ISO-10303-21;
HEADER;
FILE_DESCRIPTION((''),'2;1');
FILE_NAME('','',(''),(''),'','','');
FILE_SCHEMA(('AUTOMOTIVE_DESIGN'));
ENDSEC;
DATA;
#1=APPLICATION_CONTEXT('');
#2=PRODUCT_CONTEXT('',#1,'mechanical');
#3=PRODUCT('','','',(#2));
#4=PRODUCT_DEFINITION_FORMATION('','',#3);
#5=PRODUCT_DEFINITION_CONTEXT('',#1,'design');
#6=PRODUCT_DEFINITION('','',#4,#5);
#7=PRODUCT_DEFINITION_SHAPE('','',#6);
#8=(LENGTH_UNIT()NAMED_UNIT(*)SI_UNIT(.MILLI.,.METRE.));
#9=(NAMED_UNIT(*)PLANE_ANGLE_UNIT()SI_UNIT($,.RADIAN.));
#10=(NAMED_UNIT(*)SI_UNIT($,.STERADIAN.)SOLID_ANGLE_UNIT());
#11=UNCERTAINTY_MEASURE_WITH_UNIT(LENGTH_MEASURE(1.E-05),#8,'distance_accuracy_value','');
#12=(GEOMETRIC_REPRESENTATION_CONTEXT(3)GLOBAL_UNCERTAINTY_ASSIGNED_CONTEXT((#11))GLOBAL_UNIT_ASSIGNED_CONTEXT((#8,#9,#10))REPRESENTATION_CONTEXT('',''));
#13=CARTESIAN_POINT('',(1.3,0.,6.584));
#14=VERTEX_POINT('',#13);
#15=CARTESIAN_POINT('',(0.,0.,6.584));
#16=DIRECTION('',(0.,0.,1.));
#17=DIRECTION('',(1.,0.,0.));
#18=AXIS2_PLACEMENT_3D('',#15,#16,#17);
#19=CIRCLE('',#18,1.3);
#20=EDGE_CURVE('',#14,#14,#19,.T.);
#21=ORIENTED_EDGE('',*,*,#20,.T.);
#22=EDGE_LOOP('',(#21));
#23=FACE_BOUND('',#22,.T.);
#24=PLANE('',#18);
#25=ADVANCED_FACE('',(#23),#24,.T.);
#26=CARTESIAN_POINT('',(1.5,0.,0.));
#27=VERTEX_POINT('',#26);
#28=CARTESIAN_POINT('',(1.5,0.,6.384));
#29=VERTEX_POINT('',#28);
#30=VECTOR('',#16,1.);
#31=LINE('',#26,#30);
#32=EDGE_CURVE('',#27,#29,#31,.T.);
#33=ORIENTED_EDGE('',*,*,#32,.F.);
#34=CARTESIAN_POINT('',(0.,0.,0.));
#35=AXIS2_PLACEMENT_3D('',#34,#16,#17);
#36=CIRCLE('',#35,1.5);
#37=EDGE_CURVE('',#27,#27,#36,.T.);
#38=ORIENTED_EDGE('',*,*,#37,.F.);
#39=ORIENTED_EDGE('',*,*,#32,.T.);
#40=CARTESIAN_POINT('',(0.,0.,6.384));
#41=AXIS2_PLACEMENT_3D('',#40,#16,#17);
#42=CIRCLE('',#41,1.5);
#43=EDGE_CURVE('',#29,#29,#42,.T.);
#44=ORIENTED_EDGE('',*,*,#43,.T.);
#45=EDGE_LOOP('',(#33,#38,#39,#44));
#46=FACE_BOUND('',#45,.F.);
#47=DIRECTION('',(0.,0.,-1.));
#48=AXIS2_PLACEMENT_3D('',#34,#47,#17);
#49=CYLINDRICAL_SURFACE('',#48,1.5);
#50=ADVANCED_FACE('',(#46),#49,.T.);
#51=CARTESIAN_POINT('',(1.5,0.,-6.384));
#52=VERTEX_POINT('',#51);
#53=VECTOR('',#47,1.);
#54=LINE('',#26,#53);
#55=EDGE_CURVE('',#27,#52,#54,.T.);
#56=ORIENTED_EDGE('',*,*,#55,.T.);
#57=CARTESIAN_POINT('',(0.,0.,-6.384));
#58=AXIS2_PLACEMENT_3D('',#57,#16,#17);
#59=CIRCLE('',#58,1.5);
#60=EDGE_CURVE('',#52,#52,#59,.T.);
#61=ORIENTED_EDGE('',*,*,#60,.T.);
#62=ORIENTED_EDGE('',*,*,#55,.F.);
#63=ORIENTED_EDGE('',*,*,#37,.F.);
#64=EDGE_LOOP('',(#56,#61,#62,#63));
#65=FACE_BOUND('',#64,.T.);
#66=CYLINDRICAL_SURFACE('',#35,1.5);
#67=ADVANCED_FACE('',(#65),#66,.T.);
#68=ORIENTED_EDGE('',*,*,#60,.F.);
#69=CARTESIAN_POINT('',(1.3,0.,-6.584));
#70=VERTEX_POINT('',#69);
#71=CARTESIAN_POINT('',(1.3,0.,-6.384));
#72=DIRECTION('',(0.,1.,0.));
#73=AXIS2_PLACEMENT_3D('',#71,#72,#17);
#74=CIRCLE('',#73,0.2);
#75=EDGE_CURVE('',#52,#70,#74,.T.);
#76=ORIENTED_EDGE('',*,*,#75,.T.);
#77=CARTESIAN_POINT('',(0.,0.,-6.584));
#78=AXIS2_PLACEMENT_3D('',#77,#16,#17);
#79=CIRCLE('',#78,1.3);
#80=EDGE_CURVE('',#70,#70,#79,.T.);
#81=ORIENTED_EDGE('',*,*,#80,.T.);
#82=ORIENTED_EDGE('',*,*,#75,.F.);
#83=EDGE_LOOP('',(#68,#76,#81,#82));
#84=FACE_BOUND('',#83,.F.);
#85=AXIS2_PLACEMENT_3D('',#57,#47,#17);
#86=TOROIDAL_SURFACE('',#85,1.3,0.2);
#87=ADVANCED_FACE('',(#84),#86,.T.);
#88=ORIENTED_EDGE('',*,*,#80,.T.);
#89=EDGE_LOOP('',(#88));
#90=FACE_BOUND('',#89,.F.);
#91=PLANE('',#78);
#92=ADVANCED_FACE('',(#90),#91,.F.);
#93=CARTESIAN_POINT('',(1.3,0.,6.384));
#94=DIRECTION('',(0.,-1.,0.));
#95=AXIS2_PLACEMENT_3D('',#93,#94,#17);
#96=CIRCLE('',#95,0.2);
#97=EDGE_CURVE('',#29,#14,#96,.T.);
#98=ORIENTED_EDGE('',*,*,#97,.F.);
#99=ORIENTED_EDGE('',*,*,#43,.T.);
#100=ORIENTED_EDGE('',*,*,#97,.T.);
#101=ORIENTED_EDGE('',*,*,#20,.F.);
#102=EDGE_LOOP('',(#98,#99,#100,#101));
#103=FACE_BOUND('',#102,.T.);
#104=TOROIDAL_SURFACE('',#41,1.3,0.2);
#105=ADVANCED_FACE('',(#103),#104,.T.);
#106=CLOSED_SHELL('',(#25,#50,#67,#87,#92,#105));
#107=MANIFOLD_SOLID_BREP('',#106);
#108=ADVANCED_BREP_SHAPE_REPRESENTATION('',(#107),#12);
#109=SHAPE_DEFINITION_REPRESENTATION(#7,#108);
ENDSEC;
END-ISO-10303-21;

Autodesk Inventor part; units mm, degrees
ref_plane "YZ Plane" through (0, 0, 0) normal (1, 0, 0) x (0, 1, 0)
ref_plane "XZ Plane" through (0, 0, 0) normal (0, 1, 0) x (-1, 0, 0)
ref_plane "XY Plane" through (0, 0, 0) normal (0, 0, 1) x (1, 0, 0)
sketch "Sketch1" plane through (0, 0, 0) normal (0, 0, 1) x (1, 0, 0)
  circle A0 centre (0, 0) radius 1.5
  dimension "d0" = 3
extrude "Extrusion1" add sketch "Sketch1" along normal mid plane 13.168
fillet "Fillet1" radius 0.2 2 edges at (-1.5, 0, 6.584) (-1.5, 0, -6.584)
properties part number "Piston Pin"
